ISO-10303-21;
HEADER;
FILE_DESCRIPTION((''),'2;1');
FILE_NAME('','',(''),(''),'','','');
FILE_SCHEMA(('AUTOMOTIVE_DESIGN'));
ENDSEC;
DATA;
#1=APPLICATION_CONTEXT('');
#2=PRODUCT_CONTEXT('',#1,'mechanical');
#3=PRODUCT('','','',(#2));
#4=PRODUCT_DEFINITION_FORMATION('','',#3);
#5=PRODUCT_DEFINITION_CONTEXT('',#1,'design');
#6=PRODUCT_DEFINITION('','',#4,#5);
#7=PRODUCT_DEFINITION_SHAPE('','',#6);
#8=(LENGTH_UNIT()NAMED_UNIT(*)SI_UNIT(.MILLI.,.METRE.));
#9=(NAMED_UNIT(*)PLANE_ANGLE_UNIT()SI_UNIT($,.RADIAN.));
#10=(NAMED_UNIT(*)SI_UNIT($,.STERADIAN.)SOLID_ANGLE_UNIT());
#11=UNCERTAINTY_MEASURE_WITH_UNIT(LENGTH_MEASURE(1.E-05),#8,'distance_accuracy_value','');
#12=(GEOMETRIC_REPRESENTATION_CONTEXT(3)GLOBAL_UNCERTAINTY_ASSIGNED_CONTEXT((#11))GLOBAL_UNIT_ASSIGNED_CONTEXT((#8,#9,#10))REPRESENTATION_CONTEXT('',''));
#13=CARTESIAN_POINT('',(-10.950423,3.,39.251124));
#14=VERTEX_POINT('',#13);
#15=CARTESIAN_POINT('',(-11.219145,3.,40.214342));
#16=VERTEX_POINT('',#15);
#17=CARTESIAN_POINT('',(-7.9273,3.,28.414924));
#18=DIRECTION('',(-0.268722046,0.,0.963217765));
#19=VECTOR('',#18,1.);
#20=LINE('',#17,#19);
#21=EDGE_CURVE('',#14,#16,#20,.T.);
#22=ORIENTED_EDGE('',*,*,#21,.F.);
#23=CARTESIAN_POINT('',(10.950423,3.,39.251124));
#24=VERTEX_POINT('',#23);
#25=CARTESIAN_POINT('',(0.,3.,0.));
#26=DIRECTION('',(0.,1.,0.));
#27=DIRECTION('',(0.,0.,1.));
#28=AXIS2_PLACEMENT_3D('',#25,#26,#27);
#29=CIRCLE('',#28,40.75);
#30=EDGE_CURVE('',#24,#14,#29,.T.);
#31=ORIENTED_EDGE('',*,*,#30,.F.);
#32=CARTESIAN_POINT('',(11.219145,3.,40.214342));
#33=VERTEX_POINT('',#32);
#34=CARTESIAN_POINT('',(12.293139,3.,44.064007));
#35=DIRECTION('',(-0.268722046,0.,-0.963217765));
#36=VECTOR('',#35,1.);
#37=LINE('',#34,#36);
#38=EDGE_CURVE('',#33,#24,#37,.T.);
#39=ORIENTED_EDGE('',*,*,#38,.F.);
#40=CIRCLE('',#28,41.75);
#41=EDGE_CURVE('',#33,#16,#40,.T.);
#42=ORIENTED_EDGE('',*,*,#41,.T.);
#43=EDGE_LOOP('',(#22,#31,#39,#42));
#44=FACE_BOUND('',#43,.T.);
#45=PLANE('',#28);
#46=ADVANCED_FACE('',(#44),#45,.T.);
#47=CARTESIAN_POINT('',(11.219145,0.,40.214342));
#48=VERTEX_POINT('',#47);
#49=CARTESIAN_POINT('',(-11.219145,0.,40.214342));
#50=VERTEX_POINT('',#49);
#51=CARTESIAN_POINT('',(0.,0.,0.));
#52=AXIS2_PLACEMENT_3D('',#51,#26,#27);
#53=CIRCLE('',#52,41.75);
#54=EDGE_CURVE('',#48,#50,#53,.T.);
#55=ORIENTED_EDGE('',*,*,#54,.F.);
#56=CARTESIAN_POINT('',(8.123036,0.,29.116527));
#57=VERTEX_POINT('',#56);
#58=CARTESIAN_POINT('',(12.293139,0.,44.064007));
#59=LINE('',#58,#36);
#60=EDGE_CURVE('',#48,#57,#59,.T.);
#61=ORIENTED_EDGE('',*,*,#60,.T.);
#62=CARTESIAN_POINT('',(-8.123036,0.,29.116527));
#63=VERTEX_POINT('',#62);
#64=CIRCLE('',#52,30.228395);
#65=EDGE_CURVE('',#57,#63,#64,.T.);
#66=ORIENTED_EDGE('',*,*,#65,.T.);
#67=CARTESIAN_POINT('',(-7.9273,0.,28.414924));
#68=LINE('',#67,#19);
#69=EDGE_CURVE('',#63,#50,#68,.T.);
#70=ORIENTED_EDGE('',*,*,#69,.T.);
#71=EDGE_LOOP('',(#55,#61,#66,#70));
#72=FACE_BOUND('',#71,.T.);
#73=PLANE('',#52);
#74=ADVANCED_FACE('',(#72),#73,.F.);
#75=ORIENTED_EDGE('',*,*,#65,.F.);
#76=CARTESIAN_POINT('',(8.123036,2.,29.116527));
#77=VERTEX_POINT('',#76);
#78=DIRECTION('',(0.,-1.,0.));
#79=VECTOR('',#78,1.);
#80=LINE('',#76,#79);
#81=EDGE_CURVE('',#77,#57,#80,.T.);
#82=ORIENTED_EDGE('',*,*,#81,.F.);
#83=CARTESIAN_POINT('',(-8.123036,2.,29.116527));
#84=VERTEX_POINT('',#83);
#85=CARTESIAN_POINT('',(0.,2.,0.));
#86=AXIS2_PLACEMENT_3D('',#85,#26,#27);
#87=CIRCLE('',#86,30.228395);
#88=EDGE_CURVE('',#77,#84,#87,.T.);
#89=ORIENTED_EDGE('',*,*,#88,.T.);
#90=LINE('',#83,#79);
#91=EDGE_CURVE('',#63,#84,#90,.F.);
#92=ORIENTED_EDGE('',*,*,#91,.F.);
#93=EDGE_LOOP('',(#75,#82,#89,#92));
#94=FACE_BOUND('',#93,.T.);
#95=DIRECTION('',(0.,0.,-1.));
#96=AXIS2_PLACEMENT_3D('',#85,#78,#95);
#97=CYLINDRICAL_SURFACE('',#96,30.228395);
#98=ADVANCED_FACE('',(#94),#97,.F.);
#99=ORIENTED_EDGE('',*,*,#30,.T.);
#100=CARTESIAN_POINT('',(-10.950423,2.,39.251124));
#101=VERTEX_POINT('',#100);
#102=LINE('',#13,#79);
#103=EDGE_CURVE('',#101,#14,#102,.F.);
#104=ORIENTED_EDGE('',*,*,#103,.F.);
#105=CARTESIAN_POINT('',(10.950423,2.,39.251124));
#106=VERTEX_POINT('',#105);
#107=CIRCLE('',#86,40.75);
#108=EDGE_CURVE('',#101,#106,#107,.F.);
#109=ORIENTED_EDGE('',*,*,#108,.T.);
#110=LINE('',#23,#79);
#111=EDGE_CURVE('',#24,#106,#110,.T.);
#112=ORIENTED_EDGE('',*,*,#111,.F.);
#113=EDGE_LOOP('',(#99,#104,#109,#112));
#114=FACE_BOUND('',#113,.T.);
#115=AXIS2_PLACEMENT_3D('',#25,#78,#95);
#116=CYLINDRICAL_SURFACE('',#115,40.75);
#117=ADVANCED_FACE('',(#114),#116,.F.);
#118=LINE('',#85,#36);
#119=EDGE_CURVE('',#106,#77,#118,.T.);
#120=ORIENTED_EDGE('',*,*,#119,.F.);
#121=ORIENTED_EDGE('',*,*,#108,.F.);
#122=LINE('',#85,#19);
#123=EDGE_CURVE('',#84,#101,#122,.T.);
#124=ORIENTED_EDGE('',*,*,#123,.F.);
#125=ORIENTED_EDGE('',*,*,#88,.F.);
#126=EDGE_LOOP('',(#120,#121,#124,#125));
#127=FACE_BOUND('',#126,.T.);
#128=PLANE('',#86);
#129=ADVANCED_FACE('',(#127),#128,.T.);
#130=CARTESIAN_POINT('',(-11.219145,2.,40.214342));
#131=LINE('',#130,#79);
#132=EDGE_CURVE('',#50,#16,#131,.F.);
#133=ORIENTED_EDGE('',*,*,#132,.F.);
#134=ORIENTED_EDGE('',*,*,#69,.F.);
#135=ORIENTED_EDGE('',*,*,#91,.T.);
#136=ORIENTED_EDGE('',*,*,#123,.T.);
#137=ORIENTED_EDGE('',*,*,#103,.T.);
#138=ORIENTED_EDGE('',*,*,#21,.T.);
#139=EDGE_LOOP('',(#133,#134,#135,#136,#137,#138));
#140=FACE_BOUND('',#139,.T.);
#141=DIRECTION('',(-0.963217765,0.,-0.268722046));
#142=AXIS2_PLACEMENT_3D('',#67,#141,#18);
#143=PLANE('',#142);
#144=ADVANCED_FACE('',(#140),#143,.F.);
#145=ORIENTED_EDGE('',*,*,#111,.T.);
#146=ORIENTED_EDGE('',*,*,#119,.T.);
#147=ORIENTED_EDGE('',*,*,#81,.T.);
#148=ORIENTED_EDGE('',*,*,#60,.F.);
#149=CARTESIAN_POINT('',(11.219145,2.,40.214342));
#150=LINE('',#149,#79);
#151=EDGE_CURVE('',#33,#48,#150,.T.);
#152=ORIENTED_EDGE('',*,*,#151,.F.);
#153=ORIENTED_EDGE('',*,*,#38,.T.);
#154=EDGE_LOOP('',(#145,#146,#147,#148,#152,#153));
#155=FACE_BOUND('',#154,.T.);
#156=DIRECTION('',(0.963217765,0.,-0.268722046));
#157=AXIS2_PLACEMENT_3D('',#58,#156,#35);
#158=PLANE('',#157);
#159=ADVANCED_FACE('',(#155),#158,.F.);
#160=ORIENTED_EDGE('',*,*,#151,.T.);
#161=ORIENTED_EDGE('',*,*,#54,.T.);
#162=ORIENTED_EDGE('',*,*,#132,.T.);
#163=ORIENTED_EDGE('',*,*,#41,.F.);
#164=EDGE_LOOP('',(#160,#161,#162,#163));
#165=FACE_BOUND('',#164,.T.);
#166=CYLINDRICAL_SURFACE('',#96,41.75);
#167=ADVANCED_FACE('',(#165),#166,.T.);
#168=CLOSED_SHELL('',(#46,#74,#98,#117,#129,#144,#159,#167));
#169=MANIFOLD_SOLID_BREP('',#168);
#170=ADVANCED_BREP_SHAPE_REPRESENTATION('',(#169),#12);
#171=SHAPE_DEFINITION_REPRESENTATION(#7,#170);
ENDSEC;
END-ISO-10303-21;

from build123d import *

# Parameters (mm, degrees)
ESBO_O1_R                  = 41.75
ESBO_O1_R_2                = 30.228395062
RESSALTO_EXTRUS_O1_DEPTH   = 2
ESBO_O3_R                  = 41.75
ESBO_O3_R_2                = 40.75
RESSALTO_EXTRUS_O2_DEPTH   = 1
CORTE_EXTRUS_O1_DEPTH      = 2
CORTE_EXTRUS_O1_DEPTH_BACK = 3


with BuildPart() as part:
    # Esboço1 → Ressalto-extrusão1 (new body)
    with BuildSketch(Plane(origin=(0, 0, 0), x_dir=(1, 0, 0), z_dir=(0, 1, 0))):
        Circle(ESBO_O1_R)
        Circle(ESBO_O1_R_2, mode=Mode.SUBTRACT)
    extrude(amount=RESSALTO_EXTRUS_O1_DEPTH)

    # Esboço3 → Ressalto-extrusão2 (add)
    with BuildSketch(Plane(origin=(0, 2, 0), x_dir=(1, 0, 0), z_dir=(0, 1, 0))):
        Circle(ESBO_O3_R)
        Circle(ESBO_O3_R_2, mode=Mode.SUBTRACT)
    extrude(amount=RESSALTO_EXTRUS_O2_DEPTH)

    # Esboço2 → Corte-extrusão1 (cut, two sides)
    with BuildSketch(Plane(origin=(0, 2, 0), x_dir=(1, 0, 0), z_dir=(0, 1, 0))) as corte_extrus_o1_sk:
        with BuildLine():
            Line((12.293139319, -44.064007213), (7.927300358, -28.414924055))
            ThreePointArc((7.927300358, -28.414924055), (0, -29.5), (-7.927300358, -28.414924055))
            Line((-7.927300358, -28.414924055), (-12.293139319, -44.064007213))
            ThreePointArc((-12.293139319, -44.064007213), (0, -45.746672076), (12.293139319, -44.064007213))
        make_face()
    extrude(amount=CORTE_EXTRUS_O1_DEPTH, mode=Mode.SUBTRACT)
    extrude(corte_extrus_o1_sk.sketch, amount=-CORTE_EXTRUS_O1_DEPTH_BACK, mode=Mode.SUBTRACT)


solid = part.part
